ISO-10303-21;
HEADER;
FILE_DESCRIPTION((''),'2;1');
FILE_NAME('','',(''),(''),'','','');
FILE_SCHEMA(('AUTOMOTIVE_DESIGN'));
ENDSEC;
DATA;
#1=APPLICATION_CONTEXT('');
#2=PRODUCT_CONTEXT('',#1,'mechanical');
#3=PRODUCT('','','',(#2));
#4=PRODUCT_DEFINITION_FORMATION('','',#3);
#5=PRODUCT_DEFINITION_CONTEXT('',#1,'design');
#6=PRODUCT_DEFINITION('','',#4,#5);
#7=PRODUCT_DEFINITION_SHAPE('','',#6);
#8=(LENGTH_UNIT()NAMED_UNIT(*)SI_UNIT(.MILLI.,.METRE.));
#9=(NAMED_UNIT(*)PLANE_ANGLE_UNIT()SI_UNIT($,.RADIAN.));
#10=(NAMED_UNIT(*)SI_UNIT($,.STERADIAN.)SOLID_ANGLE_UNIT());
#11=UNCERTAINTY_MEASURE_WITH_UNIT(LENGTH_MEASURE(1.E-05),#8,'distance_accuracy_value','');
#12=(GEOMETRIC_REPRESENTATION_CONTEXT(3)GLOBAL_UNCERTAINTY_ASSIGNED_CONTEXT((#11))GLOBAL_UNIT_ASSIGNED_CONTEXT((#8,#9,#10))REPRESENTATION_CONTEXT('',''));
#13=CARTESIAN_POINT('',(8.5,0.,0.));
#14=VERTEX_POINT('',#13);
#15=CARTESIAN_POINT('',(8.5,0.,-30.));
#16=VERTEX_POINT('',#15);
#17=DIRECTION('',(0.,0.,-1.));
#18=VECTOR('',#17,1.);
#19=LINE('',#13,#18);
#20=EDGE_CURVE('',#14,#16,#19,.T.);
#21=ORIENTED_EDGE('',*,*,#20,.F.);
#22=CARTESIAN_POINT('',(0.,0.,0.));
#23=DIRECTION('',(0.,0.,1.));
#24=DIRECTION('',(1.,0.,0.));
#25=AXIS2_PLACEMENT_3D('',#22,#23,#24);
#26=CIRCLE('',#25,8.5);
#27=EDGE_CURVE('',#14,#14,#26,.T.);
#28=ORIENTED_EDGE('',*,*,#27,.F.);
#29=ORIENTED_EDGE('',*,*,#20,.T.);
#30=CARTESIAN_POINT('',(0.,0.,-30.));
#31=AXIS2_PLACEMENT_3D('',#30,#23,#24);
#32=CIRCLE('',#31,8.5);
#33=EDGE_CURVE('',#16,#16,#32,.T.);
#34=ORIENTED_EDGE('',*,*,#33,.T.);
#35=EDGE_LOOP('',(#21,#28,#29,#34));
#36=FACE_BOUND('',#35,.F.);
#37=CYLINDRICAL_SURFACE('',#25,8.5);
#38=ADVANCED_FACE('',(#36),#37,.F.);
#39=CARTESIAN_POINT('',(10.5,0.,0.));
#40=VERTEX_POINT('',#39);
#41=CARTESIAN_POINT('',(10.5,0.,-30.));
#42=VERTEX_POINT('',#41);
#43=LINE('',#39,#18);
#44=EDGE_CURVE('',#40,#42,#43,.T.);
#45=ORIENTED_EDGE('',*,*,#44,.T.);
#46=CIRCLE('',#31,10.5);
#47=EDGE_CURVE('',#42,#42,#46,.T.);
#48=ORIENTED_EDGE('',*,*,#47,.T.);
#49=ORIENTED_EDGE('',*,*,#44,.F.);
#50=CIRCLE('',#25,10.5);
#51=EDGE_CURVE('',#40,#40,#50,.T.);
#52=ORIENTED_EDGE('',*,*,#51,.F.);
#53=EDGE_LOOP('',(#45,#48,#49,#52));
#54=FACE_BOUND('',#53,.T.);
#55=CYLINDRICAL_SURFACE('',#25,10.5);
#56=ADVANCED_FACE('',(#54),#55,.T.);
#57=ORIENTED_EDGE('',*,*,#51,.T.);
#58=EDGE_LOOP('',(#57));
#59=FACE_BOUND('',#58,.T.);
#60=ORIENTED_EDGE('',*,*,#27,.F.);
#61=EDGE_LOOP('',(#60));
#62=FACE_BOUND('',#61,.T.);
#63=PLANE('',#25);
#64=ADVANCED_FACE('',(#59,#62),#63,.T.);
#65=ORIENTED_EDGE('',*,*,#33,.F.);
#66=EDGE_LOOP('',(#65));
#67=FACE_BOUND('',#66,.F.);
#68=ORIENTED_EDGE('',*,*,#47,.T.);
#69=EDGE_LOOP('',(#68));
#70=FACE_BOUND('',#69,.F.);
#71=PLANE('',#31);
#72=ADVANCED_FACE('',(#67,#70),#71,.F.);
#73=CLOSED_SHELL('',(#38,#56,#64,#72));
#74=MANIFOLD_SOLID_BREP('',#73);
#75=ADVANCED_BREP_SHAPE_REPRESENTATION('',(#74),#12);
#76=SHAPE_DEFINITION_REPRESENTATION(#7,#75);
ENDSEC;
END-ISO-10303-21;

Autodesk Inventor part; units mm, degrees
ref_plane "YZ Plane" through (0, 0, 0) normal (1, 0, 0) x (0, 1, 0)
ref_plane "XZ Plane" through (0, 0, 0) normal (0, 1, 0) x (-1, 0, 0)
ref_plane "XY Plane" through (0, 0, 0) normal (0, 0, 1) x (1, 0, 0)
sketch "Sketch11" plane through (0, 0, 0) normal (0, 0, 1) x (1, 0, 0)
  circle A0 centre (0, 0) radius 10.5
  circle A1 centre (0, 0) radius 8.5
  dimension "d187" = 21
  dimension "d188" = 2
extrude "Extrusion5" add sketch "Sketch11" against normal blind 30
properties part number "SLM 1687 FDS 1000 way tube 7" material "Stainless Steel"
